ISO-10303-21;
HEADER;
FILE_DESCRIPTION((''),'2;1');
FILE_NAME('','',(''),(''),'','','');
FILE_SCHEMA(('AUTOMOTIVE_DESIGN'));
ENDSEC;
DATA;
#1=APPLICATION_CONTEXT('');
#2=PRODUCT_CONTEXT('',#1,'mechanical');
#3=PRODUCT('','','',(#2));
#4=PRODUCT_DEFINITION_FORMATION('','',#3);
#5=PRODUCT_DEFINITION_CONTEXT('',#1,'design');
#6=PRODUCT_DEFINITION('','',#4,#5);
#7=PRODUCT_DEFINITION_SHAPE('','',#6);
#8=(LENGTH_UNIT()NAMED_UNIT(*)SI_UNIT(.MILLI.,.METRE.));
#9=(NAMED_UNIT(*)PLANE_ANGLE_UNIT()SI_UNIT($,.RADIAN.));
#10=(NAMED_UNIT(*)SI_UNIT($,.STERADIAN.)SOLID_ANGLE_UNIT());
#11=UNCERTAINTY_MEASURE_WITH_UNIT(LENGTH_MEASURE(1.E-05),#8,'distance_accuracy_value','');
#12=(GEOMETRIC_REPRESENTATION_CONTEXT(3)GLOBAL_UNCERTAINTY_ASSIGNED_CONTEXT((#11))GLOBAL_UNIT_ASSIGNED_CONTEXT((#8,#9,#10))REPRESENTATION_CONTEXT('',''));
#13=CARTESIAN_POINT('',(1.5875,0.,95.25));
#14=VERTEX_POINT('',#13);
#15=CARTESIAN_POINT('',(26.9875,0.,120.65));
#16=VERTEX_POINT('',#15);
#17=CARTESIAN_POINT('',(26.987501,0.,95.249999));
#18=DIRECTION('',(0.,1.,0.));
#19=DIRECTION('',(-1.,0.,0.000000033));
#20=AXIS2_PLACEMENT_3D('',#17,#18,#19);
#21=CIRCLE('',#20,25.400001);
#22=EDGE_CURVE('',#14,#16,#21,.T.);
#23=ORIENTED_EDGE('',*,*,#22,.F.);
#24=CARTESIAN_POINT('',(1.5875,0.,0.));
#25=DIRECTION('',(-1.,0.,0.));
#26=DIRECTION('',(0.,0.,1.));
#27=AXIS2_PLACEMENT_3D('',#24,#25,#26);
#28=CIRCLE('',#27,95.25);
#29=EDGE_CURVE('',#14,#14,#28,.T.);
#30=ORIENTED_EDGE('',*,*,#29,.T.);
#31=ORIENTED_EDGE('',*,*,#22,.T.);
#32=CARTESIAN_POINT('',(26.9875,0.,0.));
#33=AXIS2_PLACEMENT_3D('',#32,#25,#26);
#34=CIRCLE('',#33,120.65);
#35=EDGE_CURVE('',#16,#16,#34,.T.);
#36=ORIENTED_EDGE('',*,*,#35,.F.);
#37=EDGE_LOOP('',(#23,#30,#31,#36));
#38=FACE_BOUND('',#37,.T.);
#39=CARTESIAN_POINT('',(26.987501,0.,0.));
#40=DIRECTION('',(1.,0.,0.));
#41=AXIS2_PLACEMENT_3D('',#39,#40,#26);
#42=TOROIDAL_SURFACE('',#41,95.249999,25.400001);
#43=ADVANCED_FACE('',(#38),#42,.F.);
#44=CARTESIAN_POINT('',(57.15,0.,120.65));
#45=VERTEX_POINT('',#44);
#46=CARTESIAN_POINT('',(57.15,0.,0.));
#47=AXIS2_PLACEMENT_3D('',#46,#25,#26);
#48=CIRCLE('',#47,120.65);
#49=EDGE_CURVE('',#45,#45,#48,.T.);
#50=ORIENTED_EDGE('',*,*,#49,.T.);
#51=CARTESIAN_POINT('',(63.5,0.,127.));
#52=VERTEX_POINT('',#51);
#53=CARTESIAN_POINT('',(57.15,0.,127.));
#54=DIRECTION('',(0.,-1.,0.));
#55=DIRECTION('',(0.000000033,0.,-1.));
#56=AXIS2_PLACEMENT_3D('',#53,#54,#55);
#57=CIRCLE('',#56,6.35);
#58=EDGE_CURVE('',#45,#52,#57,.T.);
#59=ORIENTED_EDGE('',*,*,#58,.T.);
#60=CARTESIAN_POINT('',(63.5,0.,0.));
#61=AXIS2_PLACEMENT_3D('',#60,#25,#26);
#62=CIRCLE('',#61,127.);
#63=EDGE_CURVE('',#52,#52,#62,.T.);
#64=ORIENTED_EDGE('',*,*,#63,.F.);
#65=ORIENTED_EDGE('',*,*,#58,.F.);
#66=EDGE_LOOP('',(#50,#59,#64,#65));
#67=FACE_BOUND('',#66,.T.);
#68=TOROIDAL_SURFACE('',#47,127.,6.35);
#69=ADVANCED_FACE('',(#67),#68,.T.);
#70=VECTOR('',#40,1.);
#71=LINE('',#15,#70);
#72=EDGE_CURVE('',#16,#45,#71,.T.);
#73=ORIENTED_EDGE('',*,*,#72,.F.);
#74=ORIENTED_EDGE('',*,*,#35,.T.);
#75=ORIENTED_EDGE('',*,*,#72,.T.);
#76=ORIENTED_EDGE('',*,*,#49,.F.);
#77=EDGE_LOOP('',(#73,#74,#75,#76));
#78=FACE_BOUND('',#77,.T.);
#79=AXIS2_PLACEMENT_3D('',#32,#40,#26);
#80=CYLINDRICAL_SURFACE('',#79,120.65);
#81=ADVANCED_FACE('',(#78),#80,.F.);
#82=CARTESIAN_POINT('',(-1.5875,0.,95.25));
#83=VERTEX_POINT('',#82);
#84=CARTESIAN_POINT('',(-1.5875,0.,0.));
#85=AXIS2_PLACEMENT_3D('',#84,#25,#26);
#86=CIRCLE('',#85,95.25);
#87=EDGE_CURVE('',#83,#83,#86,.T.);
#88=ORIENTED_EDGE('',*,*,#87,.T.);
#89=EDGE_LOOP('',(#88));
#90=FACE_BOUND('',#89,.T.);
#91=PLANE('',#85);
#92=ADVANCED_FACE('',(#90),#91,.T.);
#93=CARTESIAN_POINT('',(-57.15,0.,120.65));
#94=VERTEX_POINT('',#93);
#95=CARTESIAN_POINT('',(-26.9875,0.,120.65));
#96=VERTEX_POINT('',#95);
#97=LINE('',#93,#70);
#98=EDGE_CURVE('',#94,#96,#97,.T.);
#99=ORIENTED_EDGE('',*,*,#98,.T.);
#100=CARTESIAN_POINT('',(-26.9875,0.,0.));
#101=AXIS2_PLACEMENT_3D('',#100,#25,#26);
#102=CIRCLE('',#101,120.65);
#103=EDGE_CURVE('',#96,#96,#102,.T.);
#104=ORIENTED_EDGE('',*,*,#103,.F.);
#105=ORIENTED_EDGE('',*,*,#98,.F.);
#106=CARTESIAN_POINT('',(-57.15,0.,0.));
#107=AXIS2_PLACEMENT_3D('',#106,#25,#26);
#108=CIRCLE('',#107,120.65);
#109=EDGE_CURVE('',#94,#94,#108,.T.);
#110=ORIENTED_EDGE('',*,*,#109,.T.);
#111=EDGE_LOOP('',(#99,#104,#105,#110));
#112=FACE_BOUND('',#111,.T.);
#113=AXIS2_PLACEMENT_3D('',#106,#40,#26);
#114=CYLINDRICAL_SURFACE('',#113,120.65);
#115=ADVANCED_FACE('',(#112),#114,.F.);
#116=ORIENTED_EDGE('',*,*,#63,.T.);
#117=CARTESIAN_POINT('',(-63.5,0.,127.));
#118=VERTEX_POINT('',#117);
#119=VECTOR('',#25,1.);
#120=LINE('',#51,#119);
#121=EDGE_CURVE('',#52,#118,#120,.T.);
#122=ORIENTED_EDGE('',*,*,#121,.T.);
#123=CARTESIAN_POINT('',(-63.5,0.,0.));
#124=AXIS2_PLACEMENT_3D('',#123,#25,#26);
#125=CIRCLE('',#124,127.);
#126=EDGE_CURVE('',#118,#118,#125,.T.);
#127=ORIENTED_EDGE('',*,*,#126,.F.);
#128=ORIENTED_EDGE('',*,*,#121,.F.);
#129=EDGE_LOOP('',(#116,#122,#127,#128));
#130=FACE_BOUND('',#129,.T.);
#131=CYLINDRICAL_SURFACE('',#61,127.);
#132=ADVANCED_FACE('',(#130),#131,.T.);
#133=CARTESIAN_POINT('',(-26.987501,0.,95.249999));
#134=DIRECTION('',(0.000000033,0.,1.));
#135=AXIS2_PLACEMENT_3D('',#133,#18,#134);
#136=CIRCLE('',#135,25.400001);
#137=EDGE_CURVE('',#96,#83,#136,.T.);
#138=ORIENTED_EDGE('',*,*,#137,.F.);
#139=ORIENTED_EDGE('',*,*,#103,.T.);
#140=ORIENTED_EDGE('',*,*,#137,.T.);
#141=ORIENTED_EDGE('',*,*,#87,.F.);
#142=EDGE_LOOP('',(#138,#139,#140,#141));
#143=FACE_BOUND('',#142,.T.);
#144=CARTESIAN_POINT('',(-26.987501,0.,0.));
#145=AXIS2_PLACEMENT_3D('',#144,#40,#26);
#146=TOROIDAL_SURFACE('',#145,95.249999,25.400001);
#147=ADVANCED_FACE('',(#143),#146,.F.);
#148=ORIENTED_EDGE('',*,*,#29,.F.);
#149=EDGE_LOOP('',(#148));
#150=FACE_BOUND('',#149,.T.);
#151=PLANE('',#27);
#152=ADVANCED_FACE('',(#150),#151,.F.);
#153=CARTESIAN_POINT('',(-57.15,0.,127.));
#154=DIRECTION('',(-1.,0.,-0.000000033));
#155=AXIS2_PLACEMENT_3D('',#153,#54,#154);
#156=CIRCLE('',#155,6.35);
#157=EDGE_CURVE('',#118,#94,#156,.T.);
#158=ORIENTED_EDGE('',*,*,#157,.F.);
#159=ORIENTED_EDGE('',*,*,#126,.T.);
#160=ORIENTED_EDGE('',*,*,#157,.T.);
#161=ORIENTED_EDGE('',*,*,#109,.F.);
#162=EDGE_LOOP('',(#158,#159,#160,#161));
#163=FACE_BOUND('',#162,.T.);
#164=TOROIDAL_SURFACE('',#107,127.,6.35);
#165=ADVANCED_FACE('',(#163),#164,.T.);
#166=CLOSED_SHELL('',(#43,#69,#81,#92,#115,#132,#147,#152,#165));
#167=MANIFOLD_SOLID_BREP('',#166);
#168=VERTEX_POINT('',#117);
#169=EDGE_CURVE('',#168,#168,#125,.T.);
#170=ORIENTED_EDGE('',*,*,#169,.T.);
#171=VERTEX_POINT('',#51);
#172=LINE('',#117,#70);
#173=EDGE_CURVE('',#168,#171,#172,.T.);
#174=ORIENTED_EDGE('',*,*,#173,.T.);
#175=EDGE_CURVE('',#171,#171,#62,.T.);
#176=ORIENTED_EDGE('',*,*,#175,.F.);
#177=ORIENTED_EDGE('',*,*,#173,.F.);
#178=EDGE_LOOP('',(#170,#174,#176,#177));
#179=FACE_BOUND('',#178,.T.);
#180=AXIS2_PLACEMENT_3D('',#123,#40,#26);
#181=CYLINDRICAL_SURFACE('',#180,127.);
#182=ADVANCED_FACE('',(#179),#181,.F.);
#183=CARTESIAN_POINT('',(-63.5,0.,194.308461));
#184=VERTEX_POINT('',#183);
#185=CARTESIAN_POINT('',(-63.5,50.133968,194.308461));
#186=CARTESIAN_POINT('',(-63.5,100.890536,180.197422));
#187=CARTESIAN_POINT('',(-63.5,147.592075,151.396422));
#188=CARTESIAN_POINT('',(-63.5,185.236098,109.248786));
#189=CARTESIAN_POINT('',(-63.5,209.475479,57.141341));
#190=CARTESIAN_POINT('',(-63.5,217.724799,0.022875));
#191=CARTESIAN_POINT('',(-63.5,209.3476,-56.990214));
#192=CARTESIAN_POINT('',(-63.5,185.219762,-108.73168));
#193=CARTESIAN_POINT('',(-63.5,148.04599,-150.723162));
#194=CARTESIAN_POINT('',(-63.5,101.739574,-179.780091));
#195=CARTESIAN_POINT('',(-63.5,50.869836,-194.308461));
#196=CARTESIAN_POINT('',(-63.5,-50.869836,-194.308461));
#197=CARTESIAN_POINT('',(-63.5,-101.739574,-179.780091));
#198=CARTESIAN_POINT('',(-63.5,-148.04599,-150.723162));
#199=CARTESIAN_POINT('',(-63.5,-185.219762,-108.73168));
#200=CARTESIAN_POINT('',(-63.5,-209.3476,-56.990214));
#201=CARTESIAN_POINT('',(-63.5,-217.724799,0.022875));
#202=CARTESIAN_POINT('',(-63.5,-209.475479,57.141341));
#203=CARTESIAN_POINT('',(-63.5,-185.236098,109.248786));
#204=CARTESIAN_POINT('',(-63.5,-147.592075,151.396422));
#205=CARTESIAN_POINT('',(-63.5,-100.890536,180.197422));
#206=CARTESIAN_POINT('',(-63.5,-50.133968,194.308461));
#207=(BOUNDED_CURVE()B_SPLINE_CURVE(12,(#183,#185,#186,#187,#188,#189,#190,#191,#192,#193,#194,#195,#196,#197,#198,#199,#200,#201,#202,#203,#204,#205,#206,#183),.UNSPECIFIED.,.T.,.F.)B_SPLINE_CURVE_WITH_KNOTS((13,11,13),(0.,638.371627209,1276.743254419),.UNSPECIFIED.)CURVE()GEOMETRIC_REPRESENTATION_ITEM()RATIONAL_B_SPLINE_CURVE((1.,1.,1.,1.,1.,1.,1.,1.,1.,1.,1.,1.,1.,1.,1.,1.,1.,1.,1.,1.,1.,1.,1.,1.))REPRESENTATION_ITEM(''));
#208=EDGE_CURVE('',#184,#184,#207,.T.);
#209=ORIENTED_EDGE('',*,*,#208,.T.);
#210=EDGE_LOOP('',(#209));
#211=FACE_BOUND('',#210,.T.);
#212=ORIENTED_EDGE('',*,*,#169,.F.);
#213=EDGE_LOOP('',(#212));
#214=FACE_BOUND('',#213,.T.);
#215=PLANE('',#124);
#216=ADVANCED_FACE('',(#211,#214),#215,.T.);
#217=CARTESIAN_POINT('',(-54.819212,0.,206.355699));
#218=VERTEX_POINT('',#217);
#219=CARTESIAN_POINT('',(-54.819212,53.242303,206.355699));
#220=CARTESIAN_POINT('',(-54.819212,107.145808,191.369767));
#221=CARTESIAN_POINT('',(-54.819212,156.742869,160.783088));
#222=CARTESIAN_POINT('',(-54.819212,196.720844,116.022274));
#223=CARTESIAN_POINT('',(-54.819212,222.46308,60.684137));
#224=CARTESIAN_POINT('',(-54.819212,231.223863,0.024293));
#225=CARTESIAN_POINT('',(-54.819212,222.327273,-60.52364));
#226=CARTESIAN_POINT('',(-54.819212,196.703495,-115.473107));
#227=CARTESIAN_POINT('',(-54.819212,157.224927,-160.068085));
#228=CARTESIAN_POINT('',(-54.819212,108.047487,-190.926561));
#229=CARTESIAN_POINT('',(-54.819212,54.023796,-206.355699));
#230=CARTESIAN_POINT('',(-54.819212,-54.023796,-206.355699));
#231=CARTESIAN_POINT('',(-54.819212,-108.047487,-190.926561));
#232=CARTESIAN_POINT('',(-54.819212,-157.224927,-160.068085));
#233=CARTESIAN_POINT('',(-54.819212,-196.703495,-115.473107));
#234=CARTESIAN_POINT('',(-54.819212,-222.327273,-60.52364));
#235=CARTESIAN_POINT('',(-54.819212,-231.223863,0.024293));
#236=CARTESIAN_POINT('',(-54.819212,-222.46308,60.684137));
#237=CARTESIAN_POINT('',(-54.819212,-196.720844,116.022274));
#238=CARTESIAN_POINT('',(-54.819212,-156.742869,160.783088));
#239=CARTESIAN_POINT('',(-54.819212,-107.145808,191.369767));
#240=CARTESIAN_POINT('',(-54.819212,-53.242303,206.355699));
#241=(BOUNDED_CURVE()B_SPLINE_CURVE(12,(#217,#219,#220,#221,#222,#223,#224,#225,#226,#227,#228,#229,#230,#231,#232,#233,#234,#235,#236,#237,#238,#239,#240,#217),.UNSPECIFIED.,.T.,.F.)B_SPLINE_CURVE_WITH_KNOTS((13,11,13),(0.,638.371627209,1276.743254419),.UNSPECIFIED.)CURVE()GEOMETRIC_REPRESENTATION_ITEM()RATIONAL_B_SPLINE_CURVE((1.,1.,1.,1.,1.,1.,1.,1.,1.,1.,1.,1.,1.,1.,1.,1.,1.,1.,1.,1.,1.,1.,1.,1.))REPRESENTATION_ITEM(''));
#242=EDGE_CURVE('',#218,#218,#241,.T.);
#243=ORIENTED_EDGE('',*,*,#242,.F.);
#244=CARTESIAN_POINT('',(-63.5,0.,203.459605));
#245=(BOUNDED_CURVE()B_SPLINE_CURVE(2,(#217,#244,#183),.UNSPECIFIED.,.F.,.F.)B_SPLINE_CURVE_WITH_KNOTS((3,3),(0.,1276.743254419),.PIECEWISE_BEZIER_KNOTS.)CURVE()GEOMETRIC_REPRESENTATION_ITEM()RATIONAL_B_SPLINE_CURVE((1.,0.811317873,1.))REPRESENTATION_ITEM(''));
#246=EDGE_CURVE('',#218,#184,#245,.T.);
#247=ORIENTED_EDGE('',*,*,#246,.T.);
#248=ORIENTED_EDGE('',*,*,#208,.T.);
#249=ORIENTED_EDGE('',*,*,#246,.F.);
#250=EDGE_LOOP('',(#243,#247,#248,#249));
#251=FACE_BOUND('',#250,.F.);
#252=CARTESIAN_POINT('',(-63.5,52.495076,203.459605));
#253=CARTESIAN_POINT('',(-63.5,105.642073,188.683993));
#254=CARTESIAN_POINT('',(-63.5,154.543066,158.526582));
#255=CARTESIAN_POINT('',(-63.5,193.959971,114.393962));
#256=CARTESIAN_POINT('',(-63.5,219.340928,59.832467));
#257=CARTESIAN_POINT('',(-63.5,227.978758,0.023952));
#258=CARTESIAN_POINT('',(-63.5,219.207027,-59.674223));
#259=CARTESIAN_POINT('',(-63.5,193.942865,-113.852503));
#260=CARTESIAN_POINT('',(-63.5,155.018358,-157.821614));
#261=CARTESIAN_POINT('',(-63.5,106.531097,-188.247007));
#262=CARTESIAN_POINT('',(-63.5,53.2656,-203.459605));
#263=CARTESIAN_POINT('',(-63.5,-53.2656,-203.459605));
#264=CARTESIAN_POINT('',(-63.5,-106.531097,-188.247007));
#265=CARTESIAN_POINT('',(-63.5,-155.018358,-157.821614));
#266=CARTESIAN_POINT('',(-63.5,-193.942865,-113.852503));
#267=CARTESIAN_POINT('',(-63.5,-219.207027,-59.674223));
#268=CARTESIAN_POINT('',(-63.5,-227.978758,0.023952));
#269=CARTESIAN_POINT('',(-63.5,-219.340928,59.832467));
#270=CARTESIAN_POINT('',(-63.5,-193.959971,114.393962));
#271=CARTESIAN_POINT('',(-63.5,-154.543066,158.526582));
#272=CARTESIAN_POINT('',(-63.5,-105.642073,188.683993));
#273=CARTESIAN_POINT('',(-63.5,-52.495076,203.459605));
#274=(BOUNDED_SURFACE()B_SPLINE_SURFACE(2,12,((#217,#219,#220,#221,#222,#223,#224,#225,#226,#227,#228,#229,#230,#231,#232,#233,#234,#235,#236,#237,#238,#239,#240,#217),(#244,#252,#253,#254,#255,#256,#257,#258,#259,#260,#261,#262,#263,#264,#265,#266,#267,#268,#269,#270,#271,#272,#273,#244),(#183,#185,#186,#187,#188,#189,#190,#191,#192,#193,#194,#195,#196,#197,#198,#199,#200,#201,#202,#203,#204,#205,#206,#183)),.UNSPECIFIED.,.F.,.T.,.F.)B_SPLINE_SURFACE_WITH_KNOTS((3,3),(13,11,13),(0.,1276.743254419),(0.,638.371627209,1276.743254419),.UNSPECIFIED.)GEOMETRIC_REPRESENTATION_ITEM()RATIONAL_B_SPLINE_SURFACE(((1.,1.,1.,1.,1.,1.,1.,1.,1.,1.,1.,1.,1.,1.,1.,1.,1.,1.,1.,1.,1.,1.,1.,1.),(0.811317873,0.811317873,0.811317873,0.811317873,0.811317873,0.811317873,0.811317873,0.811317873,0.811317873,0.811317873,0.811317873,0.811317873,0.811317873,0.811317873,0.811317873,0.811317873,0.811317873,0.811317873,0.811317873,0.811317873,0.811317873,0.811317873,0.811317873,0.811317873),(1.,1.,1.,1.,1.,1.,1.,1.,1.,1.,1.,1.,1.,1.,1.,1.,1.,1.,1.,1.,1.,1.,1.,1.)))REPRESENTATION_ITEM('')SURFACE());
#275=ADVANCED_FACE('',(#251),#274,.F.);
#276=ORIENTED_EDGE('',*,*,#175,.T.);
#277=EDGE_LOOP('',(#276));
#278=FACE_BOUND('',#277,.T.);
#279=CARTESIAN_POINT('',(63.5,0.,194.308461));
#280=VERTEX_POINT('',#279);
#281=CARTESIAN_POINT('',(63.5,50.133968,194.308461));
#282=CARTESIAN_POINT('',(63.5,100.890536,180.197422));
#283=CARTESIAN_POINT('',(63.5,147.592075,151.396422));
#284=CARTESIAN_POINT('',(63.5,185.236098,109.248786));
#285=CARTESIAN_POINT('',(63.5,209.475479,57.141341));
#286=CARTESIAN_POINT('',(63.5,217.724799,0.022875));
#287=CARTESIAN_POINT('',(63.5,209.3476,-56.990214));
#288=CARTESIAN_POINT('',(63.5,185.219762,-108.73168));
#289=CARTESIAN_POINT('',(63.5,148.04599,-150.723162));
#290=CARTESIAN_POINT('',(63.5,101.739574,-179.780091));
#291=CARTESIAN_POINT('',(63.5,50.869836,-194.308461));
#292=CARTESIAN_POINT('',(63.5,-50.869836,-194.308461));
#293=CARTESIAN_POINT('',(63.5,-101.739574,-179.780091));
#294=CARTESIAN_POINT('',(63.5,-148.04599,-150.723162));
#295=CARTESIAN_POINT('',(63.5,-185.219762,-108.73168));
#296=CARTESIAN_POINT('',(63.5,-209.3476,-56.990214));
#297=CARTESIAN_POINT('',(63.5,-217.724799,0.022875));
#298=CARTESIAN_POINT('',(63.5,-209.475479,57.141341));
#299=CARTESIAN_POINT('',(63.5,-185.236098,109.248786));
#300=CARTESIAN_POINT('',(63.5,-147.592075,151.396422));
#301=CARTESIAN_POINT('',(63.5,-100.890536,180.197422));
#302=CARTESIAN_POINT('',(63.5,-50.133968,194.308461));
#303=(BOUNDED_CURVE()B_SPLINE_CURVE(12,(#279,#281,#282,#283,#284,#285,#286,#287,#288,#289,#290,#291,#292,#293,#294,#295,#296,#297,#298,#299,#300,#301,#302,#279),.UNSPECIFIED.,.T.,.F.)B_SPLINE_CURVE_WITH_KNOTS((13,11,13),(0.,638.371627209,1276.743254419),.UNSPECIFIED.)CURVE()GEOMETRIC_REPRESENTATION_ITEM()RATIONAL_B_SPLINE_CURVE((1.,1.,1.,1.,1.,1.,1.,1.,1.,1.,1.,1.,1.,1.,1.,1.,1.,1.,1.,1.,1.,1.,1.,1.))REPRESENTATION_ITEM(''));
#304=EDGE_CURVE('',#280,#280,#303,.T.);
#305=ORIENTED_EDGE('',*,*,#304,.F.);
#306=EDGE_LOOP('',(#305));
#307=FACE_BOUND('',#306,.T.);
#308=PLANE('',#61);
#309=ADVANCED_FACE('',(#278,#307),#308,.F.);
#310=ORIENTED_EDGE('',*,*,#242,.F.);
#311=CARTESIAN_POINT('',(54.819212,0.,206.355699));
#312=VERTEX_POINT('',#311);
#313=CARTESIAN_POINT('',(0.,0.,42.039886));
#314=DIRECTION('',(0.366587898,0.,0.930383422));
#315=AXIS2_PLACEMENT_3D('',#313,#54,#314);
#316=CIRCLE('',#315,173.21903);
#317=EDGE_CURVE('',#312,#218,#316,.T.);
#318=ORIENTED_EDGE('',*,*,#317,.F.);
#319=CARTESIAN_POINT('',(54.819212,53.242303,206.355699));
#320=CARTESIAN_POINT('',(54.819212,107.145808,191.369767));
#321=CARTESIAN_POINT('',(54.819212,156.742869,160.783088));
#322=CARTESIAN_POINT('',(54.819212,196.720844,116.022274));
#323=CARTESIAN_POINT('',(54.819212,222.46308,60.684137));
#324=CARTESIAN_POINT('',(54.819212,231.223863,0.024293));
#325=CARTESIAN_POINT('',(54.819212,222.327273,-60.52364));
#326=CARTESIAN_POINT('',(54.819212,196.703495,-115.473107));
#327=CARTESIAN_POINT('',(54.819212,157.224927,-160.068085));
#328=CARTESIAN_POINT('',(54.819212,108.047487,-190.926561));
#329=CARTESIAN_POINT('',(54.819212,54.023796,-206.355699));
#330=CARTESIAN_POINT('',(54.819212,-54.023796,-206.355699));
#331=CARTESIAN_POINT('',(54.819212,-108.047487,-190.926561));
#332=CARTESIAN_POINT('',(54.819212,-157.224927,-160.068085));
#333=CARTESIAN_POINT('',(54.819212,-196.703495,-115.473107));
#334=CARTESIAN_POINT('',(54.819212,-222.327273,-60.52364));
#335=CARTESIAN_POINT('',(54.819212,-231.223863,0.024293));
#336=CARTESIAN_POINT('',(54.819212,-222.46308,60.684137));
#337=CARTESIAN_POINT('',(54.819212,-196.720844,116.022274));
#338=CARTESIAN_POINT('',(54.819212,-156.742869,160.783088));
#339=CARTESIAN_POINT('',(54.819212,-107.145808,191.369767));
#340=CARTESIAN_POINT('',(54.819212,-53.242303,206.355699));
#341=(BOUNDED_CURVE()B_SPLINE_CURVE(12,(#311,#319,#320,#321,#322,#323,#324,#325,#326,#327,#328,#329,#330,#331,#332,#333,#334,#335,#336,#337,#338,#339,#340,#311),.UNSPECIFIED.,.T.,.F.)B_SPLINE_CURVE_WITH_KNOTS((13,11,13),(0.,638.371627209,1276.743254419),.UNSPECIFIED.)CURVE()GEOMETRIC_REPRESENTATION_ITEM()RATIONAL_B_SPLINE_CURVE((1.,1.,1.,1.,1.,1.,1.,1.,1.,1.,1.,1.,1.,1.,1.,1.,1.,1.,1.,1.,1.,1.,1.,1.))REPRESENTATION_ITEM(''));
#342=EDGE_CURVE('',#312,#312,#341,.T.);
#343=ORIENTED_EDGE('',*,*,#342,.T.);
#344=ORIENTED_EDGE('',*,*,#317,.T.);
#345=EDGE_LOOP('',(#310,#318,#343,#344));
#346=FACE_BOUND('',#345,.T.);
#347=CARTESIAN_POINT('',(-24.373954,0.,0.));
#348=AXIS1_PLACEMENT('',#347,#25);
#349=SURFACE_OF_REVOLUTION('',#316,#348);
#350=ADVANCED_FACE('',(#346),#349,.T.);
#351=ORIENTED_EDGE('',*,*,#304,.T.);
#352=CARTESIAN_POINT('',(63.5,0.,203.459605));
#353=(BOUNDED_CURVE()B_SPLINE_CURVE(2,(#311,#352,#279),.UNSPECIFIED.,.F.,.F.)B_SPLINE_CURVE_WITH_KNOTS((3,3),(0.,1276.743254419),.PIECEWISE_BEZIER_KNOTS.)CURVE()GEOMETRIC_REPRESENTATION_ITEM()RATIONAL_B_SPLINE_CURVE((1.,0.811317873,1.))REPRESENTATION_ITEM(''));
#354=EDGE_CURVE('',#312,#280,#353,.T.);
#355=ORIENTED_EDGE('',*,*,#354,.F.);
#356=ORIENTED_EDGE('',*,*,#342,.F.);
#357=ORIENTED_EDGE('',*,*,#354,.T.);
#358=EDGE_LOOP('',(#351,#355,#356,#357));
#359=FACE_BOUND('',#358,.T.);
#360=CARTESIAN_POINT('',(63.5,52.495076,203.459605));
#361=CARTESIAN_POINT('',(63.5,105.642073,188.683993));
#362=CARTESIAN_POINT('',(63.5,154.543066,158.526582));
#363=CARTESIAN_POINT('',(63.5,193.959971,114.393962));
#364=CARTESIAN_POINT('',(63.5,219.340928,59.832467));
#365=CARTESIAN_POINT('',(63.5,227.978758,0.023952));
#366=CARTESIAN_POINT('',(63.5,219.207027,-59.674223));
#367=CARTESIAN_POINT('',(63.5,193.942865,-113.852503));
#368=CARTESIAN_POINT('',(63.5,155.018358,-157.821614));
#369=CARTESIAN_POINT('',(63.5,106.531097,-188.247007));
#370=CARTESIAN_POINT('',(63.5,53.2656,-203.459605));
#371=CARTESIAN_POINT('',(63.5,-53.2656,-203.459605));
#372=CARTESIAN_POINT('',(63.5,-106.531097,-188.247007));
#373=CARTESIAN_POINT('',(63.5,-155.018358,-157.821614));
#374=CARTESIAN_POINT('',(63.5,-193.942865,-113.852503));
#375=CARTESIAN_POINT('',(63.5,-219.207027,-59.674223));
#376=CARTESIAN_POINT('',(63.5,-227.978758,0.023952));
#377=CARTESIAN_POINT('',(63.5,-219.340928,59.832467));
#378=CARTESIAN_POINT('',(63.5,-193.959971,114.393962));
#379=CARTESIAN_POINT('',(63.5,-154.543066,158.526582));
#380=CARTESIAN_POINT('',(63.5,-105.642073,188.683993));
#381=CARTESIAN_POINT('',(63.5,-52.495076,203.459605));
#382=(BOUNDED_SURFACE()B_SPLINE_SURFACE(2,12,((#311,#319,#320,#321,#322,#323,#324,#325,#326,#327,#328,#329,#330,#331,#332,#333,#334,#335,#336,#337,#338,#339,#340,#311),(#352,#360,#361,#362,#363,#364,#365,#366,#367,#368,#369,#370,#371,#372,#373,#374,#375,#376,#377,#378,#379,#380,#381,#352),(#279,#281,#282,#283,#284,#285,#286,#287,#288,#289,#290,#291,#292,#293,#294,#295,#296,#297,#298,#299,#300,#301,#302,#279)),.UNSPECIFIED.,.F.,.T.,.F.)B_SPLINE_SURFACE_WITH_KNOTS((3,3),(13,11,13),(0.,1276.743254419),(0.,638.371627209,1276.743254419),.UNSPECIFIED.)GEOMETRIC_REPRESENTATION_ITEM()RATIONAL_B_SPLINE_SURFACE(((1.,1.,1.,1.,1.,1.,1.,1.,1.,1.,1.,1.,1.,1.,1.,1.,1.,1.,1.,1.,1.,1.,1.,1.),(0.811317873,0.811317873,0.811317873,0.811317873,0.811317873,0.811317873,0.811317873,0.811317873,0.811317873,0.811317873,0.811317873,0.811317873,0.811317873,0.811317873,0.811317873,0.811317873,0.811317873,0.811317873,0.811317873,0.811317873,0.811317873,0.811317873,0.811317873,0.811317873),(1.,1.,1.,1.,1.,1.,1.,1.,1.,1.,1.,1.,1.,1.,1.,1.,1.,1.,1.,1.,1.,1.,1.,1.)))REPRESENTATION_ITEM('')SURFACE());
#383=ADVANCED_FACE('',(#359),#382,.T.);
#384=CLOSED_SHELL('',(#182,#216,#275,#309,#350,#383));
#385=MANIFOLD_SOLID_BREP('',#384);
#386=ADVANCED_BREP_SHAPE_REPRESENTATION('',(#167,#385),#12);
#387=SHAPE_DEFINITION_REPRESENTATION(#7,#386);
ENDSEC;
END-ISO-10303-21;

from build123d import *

# Parameters (mm, degrees)
F3_R = 12.7


with BuildPart() as f2:
    # F1 (on Front) → F2 (revolve)
    with BuildSketch(Plane.XZ):
        with BuildLine():
            ThreePointArc((63.5, 203.2), (0, 215.258916), (-63.5, 203.2))
            Line((-63.5, 203.2), (-63.5, 127))
            Line((-63.5, 127), (63.5, 127))
            Line((63.5, 127), (63.5, 203.2))
        make_face()
    revolve(axis=Axis((-24.373954, 0, 0), (-1, 0, 0)))

    # F3
    f3_edges = [f2.edges().sort_by_distance(p)[0] for p in [
        (63.5, 0, -203.2),
        (-63.5, 0, -203.2),
    ]]
    fillet(f3_edges, radius=F3_R)


with BuildPart() as f5:
    # F4 (on Front) → F5 (revolve)
    with BuildSketch(Plane.XZ):
        with BuildLine():
            ThreePointArc((-63.5, 127), (-61.640128, 122.509872), (-57.15, 120.65))
            Line((-57.15, 120.65), (-26.9875, 120.65))
            ThreePointArc((-26.9875, 120.65), (-9.026988, 113.210512), (-1.5875, 95.25))
            Line((-1.5875, 95.25), (-1.5875, 0))
            Line((-1.5875, 0), (1.5875, 0))
            Line((1.5875, 0), (1.5875, 95.25))
            ThreePointArc((1.5875, 95.25), (9.026988, 113.210512), (26.9875, 120.65))
            Line((26.9875, 120.65), (57.15, 120.65))
            ThreePointArc((57.15, 120.65), (61.640128, 122.509872), (63.5, 127))
            Line((63.5, 127), (-63.5, 127))
        make_face()
    revolve(axis=Axis((-24.373954, 0, 0), (-1, 0, 0)))


solid = Compound([f2.part, f5.part])
